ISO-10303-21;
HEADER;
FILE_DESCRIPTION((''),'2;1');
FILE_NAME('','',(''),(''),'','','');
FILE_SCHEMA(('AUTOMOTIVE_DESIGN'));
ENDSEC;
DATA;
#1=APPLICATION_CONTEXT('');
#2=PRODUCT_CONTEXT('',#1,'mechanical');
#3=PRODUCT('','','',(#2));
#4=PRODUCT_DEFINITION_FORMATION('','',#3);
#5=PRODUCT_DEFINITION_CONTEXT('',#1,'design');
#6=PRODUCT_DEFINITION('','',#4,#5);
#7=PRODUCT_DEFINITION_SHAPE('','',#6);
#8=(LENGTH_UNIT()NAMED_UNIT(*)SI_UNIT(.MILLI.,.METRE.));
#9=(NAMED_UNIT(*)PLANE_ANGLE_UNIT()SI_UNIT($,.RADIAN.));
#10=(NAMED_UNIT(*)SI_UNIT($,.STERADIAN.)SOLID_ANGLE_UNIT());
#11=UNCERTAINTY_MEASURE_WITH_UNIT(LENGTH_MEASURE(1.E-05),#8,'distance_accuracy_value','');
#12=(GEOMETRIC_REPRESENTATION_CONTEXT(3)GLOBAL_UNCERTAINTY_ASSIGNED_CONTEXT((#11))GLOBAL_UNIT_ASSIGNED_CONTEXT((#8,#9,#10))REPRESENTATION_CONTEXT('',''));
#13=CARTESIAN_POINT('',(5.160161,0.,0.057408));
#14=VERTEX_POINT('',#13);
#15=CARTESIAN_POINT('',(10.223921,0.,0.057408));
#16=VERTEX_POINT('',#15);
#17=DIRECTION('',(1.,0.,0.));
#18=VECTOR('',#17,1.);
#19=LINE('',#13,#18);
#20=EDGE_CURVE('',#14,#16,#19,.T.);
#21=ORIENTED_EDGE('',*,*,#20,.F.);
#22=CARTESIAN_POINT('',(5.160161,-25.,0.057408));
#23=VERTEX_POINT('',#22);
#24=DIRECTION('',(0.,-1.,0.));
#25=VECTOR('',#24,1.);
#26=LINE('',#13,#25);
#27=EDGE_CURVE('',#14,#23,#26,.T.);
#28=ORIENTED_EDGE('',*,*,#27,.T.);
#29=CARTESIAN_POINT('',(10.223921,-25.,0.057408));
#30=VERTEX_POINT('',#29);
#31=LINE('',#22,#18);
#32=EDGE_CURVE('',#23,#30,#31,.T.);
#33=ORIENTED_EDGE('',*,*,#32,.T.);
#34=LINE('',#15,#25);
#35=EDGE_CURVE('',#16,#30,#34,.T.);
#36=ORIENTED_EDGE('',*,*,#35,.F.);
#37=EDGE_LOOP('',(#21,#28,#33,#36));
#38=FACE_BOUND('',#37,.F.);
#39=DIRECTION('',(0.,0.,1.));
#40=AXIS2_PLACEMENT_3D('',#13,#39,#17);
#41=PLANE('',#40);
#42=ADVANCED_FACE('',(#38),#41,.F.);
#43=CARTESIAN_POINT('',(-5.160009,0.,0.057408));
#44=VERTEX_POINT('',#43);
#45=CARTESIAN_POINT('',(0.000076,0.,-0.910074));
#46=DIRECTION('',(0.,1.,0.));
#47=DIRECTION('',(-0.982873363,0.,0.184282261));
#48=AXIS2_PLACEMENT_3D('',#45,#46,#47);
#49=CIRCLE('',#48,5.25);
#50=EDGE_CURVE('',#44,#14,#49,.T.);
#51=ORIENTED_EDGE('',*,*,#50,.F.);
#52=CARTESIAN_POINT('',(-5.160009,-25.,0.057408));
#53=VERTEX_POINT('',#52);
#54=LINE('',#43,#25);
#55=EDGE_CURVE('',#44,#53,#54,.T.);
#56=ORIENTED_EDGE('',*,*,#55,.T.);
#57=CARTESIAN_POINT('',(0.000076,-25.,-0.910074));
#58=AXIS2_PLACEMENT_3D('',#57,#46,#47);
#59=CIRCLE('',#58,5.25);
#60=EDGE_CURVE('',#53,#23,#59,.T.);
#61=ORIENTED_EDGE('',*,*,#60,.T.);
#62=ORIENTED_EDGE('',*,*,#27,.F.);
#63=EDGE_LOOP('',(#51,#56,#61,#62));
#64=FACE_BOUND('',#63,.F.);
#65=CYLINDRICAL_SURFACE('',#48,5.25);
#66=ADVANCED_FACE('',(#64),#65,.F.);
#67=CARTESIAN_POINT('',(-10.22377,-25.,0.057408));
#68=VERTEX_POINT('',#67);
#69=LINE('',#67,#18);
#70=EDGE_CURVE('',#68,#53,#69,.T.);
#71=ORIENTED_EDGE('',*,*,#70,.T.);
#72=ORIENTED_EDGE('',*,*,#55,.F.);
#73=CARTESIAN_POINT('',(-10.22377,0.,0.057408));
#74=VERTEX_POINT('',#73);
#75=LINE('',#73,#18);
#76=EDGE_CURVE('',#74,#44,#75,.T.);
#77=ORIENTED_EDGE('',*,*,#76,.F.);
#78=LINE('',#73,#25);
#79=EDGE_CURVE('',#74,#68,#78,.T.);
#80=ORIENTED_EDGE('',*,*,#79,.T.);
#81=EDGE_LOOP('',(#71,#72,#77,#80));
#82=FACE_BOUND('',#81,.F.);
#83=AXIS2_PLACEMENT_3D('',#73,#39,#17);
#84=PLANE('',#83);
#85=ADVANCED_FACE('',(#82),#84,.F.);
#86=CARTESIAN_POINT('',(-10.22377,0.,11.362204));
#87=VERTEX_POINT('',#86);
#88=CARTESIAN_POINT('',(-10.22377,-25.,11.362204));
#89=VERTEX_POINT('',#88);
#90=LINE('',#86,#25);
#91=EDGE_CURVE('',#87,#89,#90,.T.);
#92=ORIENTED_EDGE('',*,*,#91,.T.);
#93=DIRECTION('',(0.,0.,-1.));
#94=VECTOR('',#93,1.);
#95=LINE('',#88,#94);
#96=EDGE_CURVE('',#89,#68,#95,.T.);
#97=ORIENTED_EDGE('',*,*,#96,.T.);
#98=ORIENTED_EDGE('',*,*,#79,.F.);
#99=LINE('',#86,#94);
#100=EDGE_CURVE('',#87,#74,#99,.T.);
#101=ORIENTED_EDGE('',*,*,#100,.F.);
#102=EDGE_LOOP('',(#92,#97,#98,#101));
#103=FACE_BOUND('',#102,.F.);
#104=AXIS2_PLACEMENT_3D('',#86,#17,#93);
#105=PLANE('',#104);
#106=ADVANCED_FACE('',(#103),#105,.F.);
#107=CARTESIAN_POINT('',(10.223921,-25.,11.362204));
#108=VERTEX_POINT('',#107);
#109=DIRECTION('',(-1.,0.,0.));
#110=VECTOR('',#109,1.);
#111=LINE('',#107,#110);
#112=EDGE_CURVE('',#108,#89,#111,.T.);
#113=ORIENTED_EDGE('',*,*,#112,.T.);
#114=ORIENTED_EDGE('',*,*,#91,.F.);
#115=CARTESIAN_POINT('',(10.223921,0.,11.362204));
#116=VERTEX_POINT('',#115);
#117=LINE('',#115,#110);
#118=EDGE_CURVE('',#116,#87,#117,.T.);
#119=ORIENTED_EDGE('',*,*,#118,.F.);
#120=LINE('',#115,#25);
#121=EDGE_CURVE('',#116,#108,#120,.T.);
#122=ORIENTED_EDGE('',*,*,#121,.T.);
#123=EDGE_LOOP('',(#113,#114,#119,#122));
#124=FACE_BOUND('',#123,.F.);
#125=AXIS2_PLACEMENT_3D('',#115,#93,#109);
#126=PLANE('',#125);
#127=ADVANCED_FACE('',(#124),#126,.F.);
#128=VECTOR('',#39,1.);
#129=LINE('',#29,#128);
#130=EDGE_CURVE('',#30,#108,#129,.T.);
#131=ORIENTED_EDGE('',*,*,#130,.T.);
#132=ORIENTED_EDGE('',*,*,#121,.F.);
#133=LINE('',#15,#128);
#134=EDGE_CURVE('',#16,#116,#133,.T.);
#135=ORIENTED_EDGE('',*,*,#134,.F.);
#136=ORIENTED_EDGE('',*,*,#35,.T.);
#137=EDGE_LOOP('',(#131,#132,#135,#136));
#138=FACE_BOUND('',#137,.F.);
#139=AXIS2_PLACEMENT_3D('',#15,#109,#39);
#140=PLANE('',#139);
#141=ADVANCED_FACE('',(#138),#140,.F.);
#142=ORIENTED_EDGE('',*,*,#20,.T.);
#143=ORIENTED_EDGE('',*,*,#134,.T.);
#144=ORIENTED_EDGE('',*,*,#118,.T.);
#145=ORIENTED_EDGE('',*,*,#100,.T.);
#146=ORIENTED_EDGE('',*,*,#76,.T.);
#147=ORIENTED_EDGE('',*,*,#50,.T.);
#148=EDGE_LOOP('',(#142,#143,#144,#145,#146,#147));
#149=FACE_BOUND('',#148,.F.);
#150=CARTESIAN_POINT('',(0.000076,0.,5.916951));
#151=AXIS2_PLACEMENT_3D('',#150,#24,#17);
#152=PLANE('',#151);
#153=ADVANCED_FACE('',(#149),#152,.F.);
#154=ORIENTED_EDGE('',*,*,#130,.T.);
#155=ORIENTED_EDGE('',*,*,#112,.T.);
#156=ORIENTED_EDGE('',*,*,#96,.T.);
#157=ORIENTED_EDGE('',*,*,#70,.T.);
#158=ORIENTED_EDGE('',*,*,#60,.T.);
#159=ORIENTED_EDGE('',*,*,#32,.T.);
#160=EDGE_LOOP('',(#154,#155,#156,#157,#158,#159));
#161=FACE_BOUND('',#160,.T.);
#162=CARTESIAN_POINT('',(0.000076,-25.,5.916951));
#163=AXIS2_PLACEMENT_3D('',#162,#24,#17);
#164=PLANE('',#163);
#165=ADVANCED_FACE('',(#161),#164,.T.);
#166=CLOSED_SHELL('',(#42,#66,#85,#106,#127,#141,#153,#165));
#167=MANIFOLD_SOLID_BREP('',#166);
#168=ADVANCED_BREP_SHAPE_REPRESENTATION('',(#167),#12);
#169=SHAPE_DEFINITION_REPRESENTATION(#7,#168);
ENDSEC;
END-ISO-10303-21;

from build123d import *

# Parameters (mm, degrees)
F1_DEPTH = 25


with BuildPart() as f1:
    # F0 (on Front) → F1 (new body)
    with BuildSketch(Plane.XZ):
        with BuildLine():
            ThreePointArc((-5.160009, 0.057408), (7.6e-05, 4.339926), (5.160161, 0.057408))
            Line((5.160161, 0.057408), (10.223921, 0.057408))
            Line((10.223921, 0.057408), (10.223921, 11.362204))
            Line((10.223921, 11.362204), (-10.22377, 11.362204))
            Line((-10.22377, 11.362204), (-10.22377, 0.057408))
            Line((-10.22377, 0.057408), (-5.160009, 0.057408))
        make_face()
    extrude(amount=F1_DEPTH)


solid = f1.part
